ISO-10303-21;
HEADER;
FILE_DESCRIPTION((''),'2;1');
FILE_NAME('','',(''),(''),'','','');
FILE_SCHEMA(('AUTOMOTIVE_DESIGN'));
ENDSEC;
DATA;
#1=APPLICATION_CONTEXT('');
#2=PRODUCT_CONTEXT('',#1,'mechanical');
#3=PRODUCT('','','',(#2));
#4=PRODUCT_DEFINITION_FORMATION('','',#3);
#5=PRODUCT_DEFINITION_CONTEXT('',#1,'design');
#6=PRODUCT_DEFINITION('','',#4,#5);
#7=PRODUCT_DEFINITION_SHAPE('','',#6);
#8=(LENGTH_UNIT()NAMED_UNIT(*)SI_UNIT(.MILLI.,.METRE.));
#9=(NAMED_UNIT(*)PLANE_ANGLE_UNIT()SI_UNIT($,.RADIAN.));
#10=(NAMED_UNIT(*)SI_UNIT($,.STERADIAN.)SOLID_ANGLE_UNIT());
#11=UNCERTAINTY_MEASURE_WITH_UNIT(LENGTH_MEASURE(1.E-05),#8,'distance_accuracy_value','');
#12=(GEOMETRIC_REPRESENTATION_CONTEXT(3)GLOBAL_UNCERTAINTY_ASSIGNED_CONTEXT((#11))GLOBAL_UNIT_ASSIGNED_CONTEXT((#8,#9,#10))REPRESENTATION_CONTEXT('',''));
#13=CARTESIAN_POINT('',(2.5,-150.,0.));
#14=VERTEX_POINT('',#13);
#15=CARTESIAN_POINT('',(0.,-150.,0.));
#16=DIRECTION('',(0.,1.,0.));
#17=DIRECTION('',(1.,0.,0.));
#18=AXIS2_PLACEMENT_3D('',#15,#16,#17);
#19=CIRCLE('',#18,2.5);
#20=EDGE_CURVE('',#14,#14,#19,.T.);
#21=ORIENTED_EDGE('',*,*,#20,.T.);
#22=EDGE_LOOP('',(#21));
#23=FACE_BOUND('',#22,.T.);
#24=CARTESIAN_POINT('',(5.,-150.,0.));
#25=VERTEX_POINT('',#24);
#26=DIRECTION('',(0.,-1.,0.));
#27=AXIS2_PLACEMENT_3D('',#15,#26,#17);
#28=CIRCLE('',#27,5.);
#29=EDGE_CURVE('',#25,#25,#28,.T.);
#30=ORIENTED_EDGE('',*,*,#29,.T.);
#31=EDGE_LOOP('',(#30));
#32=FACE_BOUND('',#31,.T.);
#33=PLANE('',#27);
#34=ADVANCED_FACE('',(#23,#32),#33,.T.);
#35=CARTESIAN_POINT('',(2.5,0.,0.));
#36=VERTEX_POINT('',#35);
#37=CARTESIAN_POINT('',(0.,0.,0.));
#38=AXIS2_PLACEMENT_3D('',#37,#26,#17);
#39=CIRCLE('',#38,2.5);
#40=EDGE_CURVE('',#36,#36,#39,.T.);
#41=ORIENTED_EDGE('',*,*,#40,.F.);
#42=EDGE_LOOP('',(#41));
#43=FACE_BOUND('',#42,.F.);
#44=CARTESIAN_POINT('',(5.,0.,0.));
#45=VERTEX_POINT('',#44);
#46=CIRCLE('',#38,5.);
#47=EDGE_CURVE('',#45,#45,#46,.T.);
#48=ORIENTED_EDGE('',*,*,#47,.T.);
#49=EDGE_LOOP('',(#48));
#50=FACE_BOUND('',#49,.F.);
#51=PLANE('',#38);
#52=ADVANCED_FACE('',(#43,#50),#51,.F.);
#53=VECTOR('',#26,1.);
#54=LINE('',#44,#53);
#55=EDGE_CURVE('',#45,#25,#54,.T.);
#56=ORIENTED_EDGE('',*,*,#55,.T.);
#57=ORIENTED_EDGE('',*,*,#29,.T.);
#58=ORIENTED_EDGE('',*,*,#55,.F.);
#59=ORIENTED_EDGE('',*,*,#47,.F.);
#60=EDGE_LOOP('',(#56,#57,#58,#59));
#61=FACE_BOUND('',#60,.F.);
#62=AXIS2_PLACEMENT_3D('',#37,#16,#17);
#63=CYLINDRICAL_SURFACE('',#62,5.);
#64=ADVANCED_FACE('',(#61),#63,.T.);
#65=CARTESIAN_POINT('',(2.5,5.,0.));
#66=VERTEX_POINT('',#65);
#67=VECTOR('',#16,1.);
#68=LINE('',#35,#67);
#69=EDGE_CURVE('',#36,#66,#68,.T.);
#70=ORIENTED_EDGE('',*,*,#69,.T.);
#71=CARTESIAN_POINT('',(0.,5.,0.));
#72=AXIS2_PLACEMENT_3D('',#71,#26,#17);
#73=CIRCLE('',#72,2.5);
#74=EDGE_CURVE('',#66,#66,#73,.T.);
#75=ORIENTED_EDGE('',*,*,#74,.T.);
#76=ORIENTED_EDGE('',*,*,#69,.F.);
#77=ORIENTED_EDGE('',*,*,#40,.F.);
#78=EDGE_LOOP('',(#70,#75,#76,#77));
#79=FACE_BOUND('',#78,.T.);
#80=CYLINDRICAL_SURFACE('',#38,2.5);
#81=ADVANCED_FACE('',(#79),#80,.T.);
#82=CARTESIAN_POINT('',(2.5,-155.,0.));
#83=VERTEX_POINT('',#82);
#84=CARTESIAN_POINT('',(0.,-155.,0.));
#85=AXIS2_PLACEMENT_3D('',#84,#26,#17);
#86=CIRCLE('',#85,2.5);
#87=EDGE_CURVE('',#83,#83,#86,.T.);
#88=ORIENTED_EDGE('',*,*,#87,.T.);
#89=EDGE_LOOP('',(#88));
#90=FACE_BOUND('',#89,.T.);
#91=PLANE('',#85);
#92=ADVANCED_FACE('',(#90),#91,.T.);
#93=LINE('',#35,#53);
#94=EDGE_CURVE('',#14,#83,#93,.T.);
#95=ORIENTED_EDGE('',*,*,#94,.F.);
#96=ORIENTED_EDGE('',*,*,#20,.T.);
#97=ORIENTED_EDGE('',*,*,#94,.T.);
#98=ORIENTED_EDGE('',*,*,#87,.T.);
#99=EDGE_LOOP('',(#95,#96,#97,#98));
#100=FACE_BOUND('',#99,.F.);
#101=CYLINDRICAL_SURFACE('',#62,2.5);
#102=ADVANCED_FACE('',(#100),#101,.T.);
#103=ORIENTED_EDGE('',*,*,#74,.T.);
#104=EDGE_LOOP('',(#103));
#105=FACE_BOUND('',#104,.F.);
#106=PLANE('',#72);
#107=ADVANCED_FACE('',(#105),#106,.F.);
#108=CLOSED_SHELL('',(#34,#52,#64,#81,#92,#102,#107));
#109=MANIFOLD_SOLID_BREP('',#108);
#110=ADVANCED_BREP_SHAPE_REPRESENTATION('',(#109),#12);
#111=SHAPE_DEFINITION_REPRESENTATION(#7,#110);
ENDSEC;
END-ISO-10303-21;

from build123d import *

# Parameters (mm, degrees)
F0_R     = 5
F1_DEPTH = 150
F2_R     = 2.5
F3_DEPTH = 5
F4_R     = 2.5
F5_DEPTH = 155


with BuildPart() as f1:
    # F0 (on Front) → F1 (new body)
    with BuildSketch(Plane.XZ):
        Circle(F0_R)
    extrude(amount=F1_DEPTH)

    # F2 (on Front) → F3 (join)
    with BuildSketch(Plane.XZ):
        Circle(F2_R)
    extrude(amount=-F3_DEPTH)

    # F4 (on Front) → F5 (join)
    with BuildSketch(Plane.XZ):
        Circle(F4_R)
    extrude(amount=F5_DEPTH)


solid = f1.part
